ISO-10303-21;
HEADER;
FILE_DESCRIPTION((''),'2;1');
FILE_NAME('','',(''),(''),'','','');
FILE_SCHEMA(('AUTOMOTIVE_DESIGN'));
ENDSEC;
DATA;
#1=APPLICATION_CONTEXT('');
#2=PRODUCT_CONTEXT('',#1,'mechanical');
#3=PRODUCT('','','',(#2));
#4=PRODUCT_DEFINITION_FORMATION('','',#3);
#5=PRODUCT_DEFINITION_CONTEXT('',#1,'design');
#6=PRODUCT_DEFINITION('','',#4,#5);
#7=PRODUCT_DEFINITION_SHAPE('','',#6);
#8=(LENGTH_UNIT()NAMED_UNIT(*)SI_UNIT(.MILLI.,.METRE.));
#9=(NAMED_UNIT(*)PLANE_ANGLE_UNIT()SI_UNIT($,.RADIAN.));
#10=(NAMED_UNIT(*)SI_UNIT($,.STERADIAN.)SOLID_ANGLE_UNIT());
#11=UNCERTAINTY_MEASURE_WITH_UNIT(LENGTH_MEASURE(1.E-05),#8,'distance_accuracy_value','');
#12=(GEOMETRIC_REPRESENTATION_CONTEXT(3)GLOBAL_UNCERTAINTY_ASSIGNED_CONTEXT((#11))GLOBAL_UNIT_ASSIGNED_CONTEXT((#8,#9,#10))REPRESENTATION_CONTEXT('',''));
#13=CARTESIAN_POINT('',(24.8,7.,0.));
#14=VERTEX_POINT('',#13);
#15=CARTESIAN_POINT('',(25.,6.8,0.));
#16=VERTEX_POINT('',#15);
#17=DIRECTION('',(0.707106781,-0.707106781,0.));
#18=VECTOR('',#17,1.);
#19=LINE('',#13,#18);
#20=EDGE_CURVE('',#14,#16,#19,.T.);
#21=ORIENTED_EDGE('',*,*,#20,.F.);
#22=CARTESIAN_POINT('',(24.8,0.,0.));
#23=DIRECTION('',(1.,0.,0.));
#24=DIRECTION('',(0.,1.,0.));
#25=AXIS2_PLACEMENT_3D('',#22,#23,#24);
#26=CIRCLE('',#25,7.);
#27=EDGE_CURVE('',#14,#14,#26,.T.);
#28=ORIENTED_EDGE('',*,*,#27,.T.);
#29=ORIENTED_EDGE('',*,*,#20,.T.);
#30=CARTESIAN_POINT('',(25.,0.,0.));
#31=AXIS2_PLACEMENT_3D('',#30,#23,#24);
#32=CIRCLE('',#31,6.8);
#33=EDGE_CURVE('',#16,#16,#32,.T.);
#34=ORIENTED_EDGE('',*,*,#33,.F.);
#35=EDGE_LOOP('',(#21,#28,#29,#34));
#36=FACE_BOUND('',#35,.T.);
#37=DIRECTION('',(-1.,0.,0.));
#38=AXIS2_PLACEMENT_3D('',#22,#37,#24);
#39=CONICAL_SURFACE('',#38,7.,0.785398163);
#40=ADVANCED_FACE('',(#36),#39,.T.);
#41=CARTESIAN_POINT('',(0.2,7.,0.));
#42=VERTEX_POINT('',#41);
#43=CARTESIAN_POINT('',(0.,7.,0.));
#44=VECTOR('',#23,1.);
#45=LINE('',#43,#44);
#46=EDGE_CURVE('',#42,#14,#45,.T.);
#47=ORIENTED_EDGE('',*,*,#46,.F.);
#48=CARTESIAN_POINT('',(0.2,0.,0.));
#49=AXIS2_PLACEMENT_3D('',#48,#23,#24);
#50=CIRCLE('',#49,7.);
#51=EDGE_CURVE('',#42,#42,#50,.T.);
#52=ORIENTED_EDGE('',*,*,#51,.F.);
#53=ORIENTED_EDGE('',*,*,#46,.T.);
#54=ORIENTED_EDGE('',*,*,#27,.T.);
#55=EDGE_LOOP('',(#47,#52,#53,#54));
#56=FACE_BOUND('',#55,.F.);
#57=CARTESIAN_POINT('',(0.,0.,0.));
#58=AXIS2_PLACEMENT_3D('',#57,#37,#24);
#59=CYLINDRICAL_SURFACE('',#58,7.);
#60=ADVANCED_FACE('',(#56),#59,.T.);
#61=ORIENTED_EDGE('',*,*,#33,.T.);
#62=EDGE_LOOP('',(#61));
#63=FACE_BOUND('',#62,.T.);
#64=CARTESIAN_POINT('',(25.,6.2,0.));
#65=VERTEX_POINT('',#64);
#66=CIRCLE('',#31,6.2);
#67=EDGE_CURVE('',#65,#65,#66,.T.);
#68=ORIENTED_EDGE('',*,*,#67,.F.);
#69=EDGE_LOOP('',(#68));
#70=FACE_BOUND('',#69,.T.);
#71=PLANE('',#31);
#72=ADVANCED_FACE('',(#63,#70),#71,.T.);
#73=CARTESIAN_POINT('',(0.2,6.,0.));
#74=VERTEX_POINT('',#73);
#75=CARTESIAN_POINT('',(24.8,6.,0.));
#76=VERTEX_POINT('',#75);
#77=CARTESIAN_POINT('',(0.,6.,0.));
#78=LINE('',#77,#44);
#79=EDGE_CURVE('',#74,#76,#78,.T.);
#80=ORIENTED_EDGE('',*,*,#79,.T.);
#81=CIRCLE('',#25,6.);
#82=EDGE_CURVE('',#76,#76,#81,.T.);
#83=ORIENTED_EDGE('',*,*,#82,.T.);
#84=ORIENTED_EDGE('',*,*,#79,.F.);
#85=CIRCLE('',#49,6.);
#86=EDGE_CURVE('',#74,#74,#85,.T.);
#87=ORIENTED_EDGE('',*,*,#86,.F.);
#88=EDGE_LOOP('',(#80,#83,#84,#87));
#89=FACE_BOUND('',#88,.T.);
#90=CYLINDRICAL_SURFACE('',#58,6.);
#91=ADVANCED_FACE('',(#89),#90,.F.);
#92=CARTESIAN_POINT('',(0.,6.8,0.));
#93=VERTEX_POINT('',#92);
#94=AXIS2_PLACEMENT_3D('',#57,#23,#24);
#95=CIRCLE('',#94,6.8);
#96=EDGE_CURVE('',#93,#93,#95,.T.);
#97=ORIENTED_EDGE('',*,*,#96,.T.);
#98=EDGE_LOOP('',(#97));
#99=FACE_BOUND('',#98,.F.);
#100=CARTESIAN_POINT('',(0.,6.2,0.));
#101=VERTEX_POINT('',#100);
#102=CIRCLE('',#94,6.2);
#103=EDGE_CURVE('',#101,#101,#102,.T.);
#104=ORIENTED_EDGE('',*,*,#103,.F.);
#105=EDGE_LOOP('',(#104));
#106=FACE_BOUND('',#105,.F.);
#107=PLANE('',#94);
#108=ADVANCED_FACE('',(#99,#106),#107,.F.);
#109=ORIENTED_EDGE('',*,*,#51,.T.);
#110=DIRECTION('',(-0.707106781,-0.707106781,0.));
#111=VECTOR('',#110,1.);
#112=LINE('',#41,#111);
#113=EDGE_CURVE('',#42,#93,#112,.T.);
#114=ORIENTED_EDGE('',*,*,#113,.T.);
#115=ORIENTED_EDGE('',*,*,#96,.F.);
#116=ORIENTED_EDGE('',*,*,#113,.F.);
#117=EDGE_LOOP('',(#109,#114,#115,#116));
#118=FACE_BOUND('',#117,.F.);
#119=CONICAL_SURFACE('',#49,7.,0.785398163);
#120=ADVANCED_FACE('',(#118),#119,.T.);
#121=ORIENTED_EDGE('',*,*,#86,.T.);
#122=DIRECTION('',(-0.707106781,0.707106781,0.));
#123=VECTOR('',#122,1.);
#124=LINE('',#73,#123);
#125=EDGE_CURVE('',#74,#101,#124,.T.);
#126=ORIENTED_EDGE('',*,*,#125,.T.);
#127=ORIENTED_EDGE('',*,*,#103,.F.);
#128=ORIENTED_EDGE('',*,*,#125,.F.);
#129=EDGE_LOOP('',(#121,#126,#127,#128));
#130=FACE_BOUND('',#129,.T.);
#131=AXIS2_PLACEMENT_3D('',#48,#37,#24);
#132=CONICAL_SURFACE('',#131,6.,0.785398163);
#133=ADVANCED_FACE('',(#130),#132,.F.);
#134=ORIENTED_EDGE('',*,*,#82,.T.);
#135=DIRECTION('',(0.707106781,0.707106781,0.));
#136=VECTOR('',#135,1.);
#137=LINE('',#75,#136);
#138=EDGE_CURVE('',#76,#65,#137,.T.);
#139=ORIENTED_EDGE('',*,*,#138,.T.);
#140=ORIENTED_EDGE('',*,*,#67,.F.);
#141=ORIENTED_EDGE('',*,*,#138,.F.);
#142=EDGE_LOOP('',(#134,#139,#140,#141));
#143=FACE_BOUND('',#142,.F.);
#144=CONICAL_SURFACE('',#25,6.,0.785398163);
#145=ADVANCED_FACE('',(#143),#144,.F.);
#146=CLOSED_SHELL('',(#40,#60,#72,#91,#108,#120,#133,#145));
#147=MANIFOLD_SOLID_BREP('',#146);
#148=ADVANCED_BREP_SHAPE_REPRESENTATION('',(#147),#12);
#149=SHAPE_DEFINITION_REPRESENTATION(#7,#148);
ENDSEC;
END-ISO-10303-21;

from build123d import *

# Parameters (mm, degrees)
F0_R     = 7
F0_R_2   = 6
F1_DEPTH = 25
F2_SIZE  = 0.2


with BuildPart() as f1:
    # F0 (on Right) → F1 (new body)
    with BuildSketch(Plane.YZ):
        Circle(F0_R)
        Circle(F0_R_2, mode=Mode.SUBTRACT)
    extrude(amount=F1_DEPTH)

    # F2
    f2_edges = [f1.edges().sort_by_distance(p)[0] for p in [
        (0, -7, 0),
        (25, -7, 0),
        (25, -6, 0),
        (0, -6, 0),
    ]]
    chamfer(f2_edges, length=F2_SIZE)


solid = f1.part
